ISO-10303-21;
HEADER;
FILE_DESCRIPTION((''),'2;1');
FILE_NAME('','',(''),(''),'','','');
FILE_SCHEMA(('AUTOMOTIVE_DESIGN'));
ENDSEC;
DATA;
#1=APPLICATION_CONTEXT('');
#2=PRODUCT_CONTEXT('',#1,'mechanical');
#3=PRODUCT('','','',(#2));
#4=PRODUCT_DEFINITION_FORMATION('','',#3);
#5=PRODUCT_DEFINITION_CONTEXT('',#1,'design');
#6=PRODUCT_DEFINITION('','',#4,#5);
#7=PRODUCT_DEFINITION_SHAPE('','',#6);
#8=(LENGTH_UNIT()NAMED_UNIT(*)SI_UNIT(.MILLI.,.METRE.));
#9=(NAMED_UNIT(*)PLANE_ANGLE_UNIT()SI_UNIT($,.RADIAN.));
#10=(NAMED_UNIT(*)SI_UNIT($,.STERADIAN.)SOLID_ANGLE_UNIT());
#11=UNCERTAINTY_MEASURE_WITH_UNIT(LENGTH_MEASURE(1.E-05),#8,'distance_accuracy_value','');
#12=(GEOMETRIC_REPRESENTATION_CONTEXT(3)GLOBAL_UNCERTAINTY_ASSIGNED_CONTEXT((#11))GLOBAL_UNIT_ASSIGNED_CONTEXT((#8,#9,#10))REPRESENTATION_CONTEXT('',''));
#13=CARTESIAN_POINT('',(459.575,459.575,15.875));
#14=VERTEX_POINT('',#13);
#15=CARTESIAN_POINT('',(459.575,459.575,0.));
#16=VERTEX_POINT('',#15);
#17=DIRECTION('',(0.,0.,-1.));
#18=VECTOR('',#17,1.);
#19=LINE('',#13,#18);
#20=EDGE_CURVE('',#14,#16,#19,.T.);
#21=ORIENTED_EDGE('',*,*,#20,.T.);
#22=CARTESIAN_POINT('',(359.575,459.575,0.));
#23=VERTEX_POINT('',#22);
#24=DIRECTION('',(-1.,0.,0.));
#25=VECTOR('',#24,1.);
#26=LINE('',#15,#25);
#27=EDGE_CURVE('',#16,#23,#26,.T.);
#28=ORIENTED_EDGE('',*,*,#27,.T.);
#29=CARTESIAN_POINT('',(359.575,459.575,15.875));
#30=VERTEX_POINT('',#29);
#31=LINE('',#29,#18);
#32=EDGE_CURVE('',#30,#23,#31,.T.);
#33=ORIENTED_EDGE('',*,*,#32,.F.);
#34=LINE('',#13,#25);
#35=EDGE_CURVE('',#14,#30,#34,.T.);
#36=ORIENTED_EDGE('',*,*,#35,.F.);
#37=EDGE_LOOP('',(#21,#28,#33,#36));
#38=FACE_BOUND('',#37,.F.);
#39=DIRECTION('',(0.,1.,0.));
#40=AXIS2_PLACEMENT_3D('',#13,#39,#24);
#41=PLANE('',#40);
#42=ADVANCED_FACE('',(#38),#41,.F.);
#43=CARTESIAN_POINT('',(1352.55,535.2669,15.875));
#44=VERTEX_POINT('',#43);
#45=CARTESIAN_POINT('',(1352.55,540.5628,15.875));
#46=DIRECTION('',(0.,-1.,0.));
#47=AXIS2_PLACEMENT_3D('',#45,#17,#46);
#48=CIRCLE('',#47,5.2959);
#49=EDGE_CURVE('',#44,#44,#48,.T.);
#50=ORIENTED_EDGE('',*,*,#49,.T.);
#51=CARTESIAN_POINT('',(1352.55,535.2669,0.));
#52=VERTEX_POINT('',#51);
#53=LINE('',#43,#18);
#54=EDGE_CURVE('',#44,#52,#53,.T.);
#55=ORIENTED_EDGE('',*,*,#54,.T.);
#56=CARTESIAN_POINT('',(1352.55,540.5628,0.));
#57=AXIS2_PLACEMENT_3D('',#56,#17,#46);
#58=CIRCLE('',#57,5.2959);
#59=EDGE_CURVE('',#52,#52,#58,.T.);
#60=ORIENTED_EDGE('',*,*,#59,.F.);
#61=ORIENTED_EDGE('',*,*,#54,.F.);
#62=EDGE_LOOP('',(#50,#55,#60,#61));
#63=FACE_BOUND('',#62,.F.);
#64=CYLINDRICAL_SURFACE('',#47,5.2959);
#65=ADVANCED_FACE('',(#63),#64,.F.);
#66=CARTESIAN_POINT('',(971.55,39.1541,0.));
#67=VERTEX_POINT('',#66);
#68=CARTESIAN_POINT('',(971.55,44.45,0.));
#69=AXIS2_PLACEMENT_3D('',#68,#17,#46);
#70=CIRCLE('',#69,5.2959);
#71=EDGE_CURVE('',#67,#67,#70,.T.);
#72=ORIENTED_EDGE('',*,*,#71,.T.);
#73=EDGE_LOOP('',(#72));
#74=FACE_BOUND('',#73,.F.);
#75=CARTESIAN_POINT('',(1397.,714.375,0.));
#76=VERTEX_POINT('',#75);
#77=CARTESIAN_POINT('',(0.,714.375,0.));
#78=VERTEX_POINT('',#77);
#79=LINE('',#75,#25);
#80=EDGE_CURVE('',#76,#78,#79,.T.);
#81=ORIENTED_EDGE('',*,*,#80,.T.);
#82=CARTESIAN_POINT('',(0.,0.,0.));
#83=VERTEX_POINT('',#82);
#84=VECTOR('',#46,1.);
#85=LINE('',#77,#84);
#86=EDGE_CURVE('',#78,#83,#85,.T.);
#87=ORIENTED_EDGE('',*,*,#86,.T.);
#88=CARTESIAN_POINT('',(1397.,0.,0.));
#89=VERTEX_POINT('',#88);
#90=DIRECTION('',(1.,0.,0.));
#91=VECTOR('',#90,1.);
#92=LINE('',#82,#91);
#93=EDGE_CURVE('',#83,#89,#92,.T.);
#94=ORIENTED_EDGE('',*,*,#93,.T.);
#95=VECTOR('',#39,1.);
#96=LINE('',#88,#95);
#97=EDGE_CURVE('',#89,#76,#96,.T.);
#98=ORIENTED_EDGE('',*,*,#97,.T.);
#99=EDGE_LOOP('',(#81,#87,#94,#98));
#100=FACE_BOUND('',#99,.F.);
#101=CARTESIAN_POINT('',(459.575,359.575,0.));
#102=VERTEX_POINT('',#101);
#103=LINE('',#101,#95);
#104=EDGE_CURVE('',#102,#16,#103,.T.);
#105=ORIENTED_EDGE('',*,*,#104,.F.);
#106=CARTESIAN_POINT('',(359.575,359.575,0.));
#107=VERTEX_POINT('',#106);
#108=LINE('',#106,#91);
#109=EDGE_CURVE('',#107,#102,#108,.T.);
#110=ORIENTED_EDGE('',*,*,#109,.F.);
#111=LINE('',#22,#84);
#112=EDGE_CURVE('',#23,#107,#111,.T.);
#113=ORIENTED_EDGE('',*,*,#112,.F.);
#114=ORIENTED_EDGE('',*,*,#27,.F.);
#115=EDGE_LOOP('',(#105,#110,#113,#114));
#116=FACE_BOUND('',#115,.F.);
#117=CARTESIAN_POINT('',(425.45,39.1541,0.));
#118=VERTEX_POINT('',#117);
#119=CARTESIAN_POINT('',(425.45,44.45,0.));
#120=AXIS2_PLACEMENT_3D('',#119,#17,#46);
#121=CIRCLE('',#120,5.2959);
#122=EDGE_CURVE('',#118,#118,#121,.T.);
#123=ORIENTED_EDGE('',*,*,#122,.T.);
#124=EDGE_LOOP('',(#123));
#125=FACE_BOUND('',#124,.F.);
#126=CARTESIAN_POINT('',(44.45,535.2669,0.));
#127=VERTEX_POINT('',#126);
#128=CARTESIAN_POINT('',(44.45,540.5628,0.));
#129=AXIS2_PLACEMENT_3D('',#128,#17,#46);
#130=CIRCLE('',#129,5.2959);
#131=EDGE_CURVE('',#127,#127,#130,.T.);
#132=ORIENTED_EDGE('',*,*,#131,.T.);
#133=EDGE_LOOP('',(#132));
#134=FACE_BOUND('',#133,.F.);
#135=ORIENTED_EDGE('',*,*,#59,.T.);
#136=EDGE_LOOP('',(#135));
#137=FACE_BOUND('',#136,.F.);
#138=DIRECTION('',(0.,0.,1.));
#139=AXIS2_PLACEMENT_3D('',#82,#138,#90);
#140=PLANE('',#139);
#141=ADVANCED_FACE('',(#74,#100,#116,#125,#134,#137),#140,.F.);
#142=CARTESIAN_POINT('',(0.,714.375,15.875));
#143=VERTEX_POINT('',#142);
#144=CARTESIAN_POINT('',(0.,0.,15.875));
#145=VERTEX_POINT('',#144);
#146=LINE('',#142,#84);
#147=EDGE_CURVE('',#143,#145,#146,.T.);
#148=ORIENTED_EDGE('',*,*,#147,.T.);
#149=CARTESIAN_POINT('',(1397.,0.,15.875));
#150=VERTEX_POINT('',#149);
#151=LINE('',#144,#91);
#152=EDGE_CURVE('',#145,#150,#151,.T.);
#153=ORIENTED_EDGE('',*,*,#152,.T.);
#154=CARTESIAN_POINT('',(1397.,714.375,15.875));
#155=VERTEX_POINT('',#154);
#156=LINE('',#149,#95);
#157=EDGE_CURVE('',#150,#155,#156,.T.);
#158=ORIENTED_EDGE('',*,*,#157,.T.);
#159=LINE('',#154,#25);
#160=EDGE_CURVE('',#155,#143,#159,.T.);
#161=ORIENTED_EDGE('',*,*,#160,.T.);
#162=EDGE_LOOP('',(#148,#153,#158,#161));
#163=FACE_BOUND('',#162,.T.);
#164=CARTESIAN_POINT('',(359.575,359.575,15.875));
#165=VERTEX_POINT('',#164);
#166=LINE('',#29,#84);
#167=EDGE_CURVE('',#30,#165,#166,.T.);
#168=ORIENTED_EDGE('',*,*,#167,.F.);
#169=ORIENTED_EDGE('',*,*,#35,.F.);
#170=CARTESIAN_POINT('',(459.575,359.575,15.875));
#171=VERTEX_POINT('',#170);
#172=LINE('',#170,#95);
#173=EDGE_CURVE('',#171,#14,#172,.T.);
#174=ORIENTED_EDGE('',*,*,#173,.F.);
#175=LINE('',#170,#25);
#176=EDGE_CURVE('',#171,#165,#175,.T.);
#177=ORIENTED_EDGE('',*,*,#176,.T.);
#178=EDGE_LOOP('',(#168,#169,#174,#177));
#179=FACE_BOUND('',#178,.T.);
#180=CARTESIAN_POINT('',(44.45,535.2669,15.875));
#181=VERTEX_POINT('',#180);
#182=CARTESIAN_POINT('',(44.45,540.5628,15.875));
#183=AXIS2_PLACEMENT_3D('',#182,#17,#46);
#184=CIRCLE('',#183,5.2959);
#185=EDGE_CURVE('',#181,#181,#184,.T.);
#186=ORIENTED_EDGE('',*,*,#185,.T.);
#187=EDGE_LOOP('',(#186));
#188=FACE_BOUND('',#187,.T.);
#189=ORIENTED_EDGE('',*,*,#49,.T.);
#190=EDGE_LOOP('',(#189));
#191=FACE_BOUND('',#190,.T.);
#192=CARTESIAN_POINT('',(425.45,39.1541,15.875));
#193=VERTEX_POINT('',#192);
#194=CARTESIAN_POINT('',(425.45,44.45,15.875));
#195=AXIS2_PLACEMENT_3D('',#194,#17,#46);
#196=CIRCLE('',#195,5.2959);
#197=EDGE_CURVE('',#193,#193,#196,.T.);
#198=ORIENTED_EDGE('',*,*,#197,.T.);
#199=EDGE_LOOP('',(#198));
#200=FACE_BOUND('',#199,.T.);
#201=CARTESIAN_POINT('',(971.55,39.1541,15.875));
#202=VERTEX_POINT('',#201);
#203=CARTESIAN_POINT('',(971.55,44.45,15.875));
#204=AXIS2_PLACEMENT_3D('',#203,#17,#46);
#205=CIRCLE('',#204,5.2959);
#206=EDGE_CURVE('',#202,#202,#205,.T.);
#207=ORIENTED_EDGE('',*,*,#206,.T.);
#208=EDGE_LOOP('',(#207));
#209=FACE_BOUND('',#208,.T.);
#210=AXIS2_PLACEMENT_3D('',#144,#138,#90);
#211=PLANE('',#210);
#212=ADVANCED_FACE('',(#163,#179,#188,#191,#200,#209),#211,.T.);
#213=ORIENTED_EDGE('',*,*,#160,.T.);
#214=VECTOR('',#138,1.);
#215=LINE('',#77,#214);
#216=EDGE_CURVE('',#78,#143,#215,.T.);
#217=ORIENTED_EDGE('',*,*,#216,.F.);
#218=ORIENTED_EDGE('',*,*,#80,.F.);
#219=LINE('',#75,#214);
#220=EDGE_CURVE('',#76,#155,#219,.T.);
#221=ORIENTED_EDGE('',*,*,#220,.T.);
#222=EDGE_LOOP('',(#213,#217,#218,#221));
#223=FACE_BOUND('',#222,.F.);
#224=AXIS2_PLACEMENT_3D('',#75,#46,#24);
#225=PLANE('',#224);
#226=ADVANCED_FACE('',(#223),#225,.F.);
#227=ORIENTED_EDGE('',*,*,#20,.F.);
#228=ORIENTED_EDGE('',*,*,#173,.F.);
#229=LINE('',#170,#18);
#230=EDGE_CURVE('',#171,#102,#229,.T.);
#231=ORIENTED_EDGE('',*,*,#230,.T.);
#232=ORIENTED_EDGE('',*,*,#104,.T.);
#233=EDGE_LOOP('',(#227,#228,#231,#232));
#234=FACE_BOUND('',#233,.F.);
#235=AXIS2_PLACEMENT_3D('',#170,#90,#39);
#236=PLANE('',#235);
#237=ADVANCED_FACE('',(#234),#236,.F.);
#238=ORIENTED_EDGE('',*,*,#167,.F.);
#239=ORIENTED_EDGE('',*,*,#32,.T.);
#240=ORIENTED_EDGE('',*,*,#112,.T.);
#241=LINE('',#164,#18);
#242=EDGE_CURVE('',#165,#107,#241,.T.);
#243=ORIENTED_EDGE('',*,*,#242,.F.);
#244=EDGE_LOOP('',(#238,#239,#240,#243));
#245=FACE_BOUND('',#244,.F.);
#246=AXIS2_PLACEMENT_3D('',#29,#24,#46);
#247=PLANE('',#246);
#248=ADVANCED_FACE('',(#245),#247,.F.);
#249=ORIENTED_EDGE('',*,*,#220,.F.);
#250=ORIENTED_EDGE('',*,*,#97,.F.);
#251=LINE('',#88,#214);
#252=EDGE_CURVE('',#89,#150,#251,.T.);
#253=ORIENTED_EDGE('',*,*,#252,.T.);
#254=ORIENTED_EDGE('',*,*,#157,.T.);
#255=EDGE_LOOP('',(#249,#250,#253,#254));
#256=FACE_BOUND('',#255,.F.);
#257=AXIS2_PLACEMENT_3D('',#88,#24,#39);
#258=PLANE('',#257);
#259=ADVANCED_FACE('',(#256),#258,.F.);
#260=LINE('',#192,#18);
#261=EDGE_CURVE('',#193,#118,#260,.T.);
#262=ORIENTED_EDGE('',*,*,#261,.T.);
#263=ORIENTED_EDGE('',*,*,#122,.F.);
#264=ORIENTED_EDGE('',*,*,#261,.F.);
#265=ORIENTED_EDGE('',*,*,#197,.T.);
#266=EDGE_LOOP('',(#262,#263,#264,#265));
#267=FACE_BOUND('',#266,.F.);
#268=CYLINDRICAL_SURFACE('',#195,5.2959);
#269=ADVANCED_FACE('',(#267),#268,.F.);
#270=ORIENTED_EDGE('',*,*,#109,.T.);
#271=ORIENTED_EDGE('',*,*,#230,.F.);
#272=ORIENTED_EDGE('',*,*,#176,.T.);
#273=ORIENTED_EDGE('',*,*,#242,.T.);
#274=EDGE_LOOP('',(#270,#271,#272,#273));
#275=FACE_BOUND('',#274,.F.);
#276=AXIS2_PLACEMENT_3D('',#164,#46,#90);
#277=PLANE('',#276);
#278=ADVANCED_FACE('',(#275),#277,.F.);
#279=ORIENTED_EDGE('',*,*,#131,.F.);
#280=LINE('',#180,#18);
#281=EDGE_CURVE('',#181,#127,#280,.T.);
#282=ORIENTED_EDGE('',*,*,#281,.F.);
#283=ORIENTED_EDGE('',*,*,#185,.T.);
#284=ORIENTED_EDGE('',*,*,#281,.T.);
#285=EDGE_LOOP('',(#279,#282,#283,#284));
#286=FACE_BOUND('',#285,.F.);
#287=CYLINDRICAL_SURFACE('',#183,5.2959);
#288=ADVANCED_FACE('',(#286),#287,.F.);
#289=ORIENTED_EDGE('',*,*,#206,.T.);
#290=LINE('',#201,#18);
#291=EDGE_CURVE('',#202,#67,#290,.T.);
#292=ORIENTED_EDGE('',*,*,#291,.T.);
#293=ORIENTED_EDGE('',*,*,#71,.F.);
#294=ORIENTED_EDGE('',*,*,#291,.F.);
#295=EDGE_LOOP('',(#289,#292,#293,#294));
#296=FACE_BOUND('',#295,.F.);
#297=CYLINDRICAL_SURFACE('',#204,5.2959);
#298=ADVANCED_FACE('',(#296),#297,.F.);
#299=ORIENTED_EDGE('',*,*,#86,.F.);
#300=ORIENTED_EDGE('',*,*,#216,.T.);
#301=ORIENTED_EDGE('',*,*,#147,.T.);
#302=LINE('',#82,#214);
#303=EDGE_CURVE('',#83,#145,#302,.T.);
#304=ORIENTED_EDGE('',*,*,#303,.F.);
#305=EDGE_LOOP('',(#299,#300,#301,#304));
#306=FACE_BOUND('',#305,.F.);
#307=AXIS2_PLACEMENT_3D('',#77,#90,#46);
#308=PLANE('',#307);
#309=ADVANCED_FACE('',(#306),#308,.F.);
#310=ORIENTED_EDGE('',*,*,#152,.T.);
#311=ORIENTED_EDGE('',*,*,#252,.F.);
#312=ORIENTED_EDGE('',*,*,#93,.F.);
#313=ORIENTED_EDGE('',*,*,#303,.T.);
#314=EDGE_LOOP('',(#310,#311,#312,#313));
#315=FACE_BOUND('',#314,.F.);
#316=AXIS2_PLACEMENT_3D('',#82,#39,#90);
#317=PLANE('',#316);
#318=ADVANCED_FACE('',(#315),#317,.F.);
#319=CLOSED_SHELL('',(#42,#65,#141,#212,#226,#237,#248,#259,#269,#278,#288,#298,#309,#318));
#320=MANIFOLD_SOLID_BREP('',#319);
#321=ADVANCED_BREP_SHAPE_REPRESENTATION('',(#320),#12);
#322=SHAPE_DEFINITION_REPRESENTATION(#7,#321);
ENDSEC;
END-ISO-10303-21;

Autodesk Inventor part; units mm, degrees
ref_plane "YZ Plane" through (0, 0, 0) normal (1, 0, 0) x (0, 1, 0)
ref_plane "XZ Plane" through (0, 0, 0) normal (0, 1, 0) x (-1, 0, 0)
ref_plane "XY Plane" through (0, 0, 0) normal (0, 0, 1) x (1, 0, 0)
sketch "Sketch1" plane through (0, 0, 0) normal (0, 0, 1) x (1, 0, 0)
  line L0 (0, 0) -> (1397, 0)
  line L1 (1397, 0) -> (1397, 714.375)
  line L2 (1397, 714.375) -> (0, 714.375)
  line L3 (0, 714.375) -> (0, 0)
  dimension "d0" = 1397
  dimension "d1" = 714.375
extrude "Extrusion1" add sketch "Sketch1" along normal blind 15.875
sketch "Sketch10" plane through (0, 0, 15.875) normal (0, 0, 1) x (1, 0, 0)
  line L0 (0, 0) -> (1397, 0) projected
  line L1 (1397, 0) -> (1397, 714.375) projected
  line L2 (0, 714.375) -> (0, 0) projected
  line L3 (0, 540.5628) -> (44.45, 540.5628)
  line L4 (425.45, 0) -> (425.45, 44.45)
  line L5 (971.55, 0) -> (971.55, 44.45)
  line L6 (1397, 540.5628) -> (1352.55, 540.5628)
  dimension "d68" = 44.45
  dimension "d69" = 44.45
  dimension "d70" = 44.45
  dimension "d71" = 44.45
hole "Hole4" at (44.45, 540.5628, 15.875) at (425.45, 44.45, 15.875) at (971.55, 44.45, 15.875) at (1352.55, 540.5628, 15.875) direction (0, 0, -1) diameter 10.5918 depth 35.179 tip angle 118 thread size "1/2-13 UNC" class "2B" standard "ANSI Unified Screw Threads"
sketch "Sketch15" plane through (0, 0, 15.875) normal (0, 0, 1) x (1, 0, 0)
  line L0 (0, 714.375) -> (0, 0) projected
  line L1 (0, 0) -> (88.9, 0)
  line L2 (0, 0) -> (1397, 0) projected
  line L3 (88.9, 0) -> (104.775, 0)
  line L4 (104.775, 0) -> (409.575, 0)
  line L5 (409.575, 0) -> (409.575, 409.575)
  line L6 (359.575, 359.575) -> (459.575, 359.575)
  line L7 (459.575, 359.575) -> (459.575, 459.575)
  line L8 (459.575, 459.575) -> (359.575, 459.575)
  line L9 (359.575, 459.575) -> (359.575, 359.575)
  line L10 (359.575, 359.575) -> (459.575, 459.575) construction
  line L11 (459.575, 359.575) -> (359.575, 459.575) construction
  dimension "d107" = 88.9
  dimension "d108" = 15.875
  dimension "d109" = 304.8
  dimension "d110" = 409.575
  dimension "d111" = 100
  dimension "d112" = 100
extrude "Extrusion6" cut sketch "Sketch15" against normal blind 15.875
properties part number "Half Ceiling Model 2"
